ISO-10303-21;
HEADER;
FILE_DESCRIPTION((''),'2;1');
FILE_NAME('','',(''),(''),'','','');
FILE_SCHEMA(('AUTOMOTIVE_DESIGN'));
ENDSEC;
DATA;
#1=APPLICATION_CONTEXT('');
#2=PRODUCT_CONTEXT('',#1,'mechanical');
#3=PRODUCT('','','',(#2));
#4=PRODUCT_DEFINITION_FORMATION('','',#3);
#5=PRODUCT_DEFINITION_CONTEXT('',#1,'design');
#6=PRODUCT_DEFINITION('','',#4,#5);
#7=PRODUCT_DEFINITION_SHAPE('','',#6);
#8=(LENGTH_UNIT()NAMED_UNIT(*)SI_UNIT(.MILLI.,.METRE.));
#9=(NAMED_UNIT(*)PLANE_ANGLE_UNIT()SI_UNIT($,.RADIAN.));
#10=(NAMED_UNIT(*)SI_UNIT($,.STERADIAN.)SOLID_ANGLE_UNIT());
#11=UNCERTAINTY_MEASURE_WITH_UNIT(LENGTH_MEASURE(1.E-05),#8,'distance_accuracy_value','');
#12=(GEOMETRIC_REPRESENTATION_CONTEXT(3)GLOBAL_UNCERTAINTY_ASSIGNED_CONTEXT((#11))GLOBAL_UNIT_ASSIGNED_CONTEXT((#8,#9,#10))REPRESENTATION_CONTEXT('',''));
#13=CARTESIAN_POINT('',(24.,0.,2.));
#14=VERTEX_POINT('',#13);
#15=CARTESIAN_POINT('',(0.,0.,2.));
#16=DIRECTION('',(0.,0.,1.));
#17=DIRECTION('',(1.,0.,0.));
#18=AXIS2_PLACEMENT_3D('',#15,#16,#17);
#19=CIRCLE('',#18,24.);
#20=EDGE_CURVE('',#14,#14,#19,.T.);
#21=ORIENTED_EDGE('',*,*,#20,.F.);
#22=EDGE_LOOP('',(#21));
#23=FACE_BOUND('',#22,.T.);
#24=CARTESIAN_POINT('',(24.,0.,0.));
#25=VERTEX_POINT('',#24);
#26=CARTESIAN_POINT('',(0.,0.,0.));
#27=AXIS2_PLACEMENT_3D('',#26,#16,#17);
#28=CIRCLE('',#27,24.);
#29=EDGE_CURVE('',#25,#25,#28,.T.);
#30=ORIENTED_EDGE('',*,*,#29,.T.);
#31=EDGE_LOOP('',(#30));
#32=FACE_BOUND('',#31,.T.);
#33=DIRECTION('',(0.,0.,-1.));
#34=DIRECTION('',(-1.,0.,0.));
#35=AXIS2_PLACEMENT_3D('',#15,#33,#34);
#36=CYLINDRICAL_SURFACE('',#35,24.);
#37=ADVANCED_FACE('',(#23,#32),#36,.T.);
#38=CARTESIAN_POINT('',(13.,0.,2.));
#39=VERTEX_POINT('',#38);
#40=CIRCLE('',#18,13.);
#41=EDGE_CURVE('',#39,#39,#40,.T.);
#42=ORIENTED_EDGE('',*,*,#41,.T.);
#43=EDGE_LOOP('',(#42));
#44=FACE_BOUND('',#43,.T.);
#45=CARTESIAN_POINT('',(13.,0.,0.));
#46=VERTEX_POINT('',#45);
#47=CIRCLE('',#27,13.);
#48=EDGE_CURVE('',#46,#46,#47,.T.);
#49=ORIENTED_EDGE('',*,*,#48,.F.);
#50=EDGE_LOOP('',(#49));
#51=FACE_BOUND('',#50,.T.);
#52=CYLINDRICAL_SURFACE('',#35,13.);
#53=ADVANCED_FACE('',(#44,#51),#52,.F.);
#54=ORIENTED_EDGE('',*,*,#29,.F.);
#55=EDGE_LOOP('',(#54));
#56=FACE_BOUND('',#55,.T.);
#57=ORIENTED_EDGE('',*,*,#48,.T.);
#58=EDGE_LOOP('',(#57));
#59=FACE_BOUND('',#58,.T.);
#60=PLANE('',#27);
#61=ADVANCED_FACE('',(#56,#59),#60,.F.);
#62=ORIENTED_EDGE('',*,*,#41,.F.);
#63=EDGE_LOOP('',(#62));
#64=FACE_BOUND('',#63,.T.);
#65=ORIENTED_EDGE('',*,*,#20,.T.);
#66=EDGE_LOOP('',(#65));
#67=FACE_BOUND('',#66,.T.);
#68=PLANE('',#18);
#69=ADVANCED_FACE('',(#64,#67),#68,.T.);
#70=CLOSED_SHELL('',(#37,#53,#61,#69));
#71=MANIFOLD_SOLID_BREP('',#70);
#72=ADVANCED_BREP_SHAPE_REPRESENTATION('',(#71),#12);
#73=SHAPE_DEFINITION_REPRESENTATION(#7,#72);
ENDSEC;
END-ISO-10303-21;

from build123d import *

# Parameters (mm, degrees)
ESQUISSE1_R        = 24
ESQUISSE1_R_2      = 13
BOSS_EXTRU_1_DEPTH = 2


with BuildPart() as part:
    # Esquisse1 → Boss.-Extru.1 (new body)
    with BuildSketch(Plane.XY):
        Circle(ESQUISSE1_R)
        Circle(ESQUISSE1_R_2, mode=Mode.SUBTRACT)
    extrude(amount=BOSS_EXTRU_1_DEPTH)


solid = part.part
